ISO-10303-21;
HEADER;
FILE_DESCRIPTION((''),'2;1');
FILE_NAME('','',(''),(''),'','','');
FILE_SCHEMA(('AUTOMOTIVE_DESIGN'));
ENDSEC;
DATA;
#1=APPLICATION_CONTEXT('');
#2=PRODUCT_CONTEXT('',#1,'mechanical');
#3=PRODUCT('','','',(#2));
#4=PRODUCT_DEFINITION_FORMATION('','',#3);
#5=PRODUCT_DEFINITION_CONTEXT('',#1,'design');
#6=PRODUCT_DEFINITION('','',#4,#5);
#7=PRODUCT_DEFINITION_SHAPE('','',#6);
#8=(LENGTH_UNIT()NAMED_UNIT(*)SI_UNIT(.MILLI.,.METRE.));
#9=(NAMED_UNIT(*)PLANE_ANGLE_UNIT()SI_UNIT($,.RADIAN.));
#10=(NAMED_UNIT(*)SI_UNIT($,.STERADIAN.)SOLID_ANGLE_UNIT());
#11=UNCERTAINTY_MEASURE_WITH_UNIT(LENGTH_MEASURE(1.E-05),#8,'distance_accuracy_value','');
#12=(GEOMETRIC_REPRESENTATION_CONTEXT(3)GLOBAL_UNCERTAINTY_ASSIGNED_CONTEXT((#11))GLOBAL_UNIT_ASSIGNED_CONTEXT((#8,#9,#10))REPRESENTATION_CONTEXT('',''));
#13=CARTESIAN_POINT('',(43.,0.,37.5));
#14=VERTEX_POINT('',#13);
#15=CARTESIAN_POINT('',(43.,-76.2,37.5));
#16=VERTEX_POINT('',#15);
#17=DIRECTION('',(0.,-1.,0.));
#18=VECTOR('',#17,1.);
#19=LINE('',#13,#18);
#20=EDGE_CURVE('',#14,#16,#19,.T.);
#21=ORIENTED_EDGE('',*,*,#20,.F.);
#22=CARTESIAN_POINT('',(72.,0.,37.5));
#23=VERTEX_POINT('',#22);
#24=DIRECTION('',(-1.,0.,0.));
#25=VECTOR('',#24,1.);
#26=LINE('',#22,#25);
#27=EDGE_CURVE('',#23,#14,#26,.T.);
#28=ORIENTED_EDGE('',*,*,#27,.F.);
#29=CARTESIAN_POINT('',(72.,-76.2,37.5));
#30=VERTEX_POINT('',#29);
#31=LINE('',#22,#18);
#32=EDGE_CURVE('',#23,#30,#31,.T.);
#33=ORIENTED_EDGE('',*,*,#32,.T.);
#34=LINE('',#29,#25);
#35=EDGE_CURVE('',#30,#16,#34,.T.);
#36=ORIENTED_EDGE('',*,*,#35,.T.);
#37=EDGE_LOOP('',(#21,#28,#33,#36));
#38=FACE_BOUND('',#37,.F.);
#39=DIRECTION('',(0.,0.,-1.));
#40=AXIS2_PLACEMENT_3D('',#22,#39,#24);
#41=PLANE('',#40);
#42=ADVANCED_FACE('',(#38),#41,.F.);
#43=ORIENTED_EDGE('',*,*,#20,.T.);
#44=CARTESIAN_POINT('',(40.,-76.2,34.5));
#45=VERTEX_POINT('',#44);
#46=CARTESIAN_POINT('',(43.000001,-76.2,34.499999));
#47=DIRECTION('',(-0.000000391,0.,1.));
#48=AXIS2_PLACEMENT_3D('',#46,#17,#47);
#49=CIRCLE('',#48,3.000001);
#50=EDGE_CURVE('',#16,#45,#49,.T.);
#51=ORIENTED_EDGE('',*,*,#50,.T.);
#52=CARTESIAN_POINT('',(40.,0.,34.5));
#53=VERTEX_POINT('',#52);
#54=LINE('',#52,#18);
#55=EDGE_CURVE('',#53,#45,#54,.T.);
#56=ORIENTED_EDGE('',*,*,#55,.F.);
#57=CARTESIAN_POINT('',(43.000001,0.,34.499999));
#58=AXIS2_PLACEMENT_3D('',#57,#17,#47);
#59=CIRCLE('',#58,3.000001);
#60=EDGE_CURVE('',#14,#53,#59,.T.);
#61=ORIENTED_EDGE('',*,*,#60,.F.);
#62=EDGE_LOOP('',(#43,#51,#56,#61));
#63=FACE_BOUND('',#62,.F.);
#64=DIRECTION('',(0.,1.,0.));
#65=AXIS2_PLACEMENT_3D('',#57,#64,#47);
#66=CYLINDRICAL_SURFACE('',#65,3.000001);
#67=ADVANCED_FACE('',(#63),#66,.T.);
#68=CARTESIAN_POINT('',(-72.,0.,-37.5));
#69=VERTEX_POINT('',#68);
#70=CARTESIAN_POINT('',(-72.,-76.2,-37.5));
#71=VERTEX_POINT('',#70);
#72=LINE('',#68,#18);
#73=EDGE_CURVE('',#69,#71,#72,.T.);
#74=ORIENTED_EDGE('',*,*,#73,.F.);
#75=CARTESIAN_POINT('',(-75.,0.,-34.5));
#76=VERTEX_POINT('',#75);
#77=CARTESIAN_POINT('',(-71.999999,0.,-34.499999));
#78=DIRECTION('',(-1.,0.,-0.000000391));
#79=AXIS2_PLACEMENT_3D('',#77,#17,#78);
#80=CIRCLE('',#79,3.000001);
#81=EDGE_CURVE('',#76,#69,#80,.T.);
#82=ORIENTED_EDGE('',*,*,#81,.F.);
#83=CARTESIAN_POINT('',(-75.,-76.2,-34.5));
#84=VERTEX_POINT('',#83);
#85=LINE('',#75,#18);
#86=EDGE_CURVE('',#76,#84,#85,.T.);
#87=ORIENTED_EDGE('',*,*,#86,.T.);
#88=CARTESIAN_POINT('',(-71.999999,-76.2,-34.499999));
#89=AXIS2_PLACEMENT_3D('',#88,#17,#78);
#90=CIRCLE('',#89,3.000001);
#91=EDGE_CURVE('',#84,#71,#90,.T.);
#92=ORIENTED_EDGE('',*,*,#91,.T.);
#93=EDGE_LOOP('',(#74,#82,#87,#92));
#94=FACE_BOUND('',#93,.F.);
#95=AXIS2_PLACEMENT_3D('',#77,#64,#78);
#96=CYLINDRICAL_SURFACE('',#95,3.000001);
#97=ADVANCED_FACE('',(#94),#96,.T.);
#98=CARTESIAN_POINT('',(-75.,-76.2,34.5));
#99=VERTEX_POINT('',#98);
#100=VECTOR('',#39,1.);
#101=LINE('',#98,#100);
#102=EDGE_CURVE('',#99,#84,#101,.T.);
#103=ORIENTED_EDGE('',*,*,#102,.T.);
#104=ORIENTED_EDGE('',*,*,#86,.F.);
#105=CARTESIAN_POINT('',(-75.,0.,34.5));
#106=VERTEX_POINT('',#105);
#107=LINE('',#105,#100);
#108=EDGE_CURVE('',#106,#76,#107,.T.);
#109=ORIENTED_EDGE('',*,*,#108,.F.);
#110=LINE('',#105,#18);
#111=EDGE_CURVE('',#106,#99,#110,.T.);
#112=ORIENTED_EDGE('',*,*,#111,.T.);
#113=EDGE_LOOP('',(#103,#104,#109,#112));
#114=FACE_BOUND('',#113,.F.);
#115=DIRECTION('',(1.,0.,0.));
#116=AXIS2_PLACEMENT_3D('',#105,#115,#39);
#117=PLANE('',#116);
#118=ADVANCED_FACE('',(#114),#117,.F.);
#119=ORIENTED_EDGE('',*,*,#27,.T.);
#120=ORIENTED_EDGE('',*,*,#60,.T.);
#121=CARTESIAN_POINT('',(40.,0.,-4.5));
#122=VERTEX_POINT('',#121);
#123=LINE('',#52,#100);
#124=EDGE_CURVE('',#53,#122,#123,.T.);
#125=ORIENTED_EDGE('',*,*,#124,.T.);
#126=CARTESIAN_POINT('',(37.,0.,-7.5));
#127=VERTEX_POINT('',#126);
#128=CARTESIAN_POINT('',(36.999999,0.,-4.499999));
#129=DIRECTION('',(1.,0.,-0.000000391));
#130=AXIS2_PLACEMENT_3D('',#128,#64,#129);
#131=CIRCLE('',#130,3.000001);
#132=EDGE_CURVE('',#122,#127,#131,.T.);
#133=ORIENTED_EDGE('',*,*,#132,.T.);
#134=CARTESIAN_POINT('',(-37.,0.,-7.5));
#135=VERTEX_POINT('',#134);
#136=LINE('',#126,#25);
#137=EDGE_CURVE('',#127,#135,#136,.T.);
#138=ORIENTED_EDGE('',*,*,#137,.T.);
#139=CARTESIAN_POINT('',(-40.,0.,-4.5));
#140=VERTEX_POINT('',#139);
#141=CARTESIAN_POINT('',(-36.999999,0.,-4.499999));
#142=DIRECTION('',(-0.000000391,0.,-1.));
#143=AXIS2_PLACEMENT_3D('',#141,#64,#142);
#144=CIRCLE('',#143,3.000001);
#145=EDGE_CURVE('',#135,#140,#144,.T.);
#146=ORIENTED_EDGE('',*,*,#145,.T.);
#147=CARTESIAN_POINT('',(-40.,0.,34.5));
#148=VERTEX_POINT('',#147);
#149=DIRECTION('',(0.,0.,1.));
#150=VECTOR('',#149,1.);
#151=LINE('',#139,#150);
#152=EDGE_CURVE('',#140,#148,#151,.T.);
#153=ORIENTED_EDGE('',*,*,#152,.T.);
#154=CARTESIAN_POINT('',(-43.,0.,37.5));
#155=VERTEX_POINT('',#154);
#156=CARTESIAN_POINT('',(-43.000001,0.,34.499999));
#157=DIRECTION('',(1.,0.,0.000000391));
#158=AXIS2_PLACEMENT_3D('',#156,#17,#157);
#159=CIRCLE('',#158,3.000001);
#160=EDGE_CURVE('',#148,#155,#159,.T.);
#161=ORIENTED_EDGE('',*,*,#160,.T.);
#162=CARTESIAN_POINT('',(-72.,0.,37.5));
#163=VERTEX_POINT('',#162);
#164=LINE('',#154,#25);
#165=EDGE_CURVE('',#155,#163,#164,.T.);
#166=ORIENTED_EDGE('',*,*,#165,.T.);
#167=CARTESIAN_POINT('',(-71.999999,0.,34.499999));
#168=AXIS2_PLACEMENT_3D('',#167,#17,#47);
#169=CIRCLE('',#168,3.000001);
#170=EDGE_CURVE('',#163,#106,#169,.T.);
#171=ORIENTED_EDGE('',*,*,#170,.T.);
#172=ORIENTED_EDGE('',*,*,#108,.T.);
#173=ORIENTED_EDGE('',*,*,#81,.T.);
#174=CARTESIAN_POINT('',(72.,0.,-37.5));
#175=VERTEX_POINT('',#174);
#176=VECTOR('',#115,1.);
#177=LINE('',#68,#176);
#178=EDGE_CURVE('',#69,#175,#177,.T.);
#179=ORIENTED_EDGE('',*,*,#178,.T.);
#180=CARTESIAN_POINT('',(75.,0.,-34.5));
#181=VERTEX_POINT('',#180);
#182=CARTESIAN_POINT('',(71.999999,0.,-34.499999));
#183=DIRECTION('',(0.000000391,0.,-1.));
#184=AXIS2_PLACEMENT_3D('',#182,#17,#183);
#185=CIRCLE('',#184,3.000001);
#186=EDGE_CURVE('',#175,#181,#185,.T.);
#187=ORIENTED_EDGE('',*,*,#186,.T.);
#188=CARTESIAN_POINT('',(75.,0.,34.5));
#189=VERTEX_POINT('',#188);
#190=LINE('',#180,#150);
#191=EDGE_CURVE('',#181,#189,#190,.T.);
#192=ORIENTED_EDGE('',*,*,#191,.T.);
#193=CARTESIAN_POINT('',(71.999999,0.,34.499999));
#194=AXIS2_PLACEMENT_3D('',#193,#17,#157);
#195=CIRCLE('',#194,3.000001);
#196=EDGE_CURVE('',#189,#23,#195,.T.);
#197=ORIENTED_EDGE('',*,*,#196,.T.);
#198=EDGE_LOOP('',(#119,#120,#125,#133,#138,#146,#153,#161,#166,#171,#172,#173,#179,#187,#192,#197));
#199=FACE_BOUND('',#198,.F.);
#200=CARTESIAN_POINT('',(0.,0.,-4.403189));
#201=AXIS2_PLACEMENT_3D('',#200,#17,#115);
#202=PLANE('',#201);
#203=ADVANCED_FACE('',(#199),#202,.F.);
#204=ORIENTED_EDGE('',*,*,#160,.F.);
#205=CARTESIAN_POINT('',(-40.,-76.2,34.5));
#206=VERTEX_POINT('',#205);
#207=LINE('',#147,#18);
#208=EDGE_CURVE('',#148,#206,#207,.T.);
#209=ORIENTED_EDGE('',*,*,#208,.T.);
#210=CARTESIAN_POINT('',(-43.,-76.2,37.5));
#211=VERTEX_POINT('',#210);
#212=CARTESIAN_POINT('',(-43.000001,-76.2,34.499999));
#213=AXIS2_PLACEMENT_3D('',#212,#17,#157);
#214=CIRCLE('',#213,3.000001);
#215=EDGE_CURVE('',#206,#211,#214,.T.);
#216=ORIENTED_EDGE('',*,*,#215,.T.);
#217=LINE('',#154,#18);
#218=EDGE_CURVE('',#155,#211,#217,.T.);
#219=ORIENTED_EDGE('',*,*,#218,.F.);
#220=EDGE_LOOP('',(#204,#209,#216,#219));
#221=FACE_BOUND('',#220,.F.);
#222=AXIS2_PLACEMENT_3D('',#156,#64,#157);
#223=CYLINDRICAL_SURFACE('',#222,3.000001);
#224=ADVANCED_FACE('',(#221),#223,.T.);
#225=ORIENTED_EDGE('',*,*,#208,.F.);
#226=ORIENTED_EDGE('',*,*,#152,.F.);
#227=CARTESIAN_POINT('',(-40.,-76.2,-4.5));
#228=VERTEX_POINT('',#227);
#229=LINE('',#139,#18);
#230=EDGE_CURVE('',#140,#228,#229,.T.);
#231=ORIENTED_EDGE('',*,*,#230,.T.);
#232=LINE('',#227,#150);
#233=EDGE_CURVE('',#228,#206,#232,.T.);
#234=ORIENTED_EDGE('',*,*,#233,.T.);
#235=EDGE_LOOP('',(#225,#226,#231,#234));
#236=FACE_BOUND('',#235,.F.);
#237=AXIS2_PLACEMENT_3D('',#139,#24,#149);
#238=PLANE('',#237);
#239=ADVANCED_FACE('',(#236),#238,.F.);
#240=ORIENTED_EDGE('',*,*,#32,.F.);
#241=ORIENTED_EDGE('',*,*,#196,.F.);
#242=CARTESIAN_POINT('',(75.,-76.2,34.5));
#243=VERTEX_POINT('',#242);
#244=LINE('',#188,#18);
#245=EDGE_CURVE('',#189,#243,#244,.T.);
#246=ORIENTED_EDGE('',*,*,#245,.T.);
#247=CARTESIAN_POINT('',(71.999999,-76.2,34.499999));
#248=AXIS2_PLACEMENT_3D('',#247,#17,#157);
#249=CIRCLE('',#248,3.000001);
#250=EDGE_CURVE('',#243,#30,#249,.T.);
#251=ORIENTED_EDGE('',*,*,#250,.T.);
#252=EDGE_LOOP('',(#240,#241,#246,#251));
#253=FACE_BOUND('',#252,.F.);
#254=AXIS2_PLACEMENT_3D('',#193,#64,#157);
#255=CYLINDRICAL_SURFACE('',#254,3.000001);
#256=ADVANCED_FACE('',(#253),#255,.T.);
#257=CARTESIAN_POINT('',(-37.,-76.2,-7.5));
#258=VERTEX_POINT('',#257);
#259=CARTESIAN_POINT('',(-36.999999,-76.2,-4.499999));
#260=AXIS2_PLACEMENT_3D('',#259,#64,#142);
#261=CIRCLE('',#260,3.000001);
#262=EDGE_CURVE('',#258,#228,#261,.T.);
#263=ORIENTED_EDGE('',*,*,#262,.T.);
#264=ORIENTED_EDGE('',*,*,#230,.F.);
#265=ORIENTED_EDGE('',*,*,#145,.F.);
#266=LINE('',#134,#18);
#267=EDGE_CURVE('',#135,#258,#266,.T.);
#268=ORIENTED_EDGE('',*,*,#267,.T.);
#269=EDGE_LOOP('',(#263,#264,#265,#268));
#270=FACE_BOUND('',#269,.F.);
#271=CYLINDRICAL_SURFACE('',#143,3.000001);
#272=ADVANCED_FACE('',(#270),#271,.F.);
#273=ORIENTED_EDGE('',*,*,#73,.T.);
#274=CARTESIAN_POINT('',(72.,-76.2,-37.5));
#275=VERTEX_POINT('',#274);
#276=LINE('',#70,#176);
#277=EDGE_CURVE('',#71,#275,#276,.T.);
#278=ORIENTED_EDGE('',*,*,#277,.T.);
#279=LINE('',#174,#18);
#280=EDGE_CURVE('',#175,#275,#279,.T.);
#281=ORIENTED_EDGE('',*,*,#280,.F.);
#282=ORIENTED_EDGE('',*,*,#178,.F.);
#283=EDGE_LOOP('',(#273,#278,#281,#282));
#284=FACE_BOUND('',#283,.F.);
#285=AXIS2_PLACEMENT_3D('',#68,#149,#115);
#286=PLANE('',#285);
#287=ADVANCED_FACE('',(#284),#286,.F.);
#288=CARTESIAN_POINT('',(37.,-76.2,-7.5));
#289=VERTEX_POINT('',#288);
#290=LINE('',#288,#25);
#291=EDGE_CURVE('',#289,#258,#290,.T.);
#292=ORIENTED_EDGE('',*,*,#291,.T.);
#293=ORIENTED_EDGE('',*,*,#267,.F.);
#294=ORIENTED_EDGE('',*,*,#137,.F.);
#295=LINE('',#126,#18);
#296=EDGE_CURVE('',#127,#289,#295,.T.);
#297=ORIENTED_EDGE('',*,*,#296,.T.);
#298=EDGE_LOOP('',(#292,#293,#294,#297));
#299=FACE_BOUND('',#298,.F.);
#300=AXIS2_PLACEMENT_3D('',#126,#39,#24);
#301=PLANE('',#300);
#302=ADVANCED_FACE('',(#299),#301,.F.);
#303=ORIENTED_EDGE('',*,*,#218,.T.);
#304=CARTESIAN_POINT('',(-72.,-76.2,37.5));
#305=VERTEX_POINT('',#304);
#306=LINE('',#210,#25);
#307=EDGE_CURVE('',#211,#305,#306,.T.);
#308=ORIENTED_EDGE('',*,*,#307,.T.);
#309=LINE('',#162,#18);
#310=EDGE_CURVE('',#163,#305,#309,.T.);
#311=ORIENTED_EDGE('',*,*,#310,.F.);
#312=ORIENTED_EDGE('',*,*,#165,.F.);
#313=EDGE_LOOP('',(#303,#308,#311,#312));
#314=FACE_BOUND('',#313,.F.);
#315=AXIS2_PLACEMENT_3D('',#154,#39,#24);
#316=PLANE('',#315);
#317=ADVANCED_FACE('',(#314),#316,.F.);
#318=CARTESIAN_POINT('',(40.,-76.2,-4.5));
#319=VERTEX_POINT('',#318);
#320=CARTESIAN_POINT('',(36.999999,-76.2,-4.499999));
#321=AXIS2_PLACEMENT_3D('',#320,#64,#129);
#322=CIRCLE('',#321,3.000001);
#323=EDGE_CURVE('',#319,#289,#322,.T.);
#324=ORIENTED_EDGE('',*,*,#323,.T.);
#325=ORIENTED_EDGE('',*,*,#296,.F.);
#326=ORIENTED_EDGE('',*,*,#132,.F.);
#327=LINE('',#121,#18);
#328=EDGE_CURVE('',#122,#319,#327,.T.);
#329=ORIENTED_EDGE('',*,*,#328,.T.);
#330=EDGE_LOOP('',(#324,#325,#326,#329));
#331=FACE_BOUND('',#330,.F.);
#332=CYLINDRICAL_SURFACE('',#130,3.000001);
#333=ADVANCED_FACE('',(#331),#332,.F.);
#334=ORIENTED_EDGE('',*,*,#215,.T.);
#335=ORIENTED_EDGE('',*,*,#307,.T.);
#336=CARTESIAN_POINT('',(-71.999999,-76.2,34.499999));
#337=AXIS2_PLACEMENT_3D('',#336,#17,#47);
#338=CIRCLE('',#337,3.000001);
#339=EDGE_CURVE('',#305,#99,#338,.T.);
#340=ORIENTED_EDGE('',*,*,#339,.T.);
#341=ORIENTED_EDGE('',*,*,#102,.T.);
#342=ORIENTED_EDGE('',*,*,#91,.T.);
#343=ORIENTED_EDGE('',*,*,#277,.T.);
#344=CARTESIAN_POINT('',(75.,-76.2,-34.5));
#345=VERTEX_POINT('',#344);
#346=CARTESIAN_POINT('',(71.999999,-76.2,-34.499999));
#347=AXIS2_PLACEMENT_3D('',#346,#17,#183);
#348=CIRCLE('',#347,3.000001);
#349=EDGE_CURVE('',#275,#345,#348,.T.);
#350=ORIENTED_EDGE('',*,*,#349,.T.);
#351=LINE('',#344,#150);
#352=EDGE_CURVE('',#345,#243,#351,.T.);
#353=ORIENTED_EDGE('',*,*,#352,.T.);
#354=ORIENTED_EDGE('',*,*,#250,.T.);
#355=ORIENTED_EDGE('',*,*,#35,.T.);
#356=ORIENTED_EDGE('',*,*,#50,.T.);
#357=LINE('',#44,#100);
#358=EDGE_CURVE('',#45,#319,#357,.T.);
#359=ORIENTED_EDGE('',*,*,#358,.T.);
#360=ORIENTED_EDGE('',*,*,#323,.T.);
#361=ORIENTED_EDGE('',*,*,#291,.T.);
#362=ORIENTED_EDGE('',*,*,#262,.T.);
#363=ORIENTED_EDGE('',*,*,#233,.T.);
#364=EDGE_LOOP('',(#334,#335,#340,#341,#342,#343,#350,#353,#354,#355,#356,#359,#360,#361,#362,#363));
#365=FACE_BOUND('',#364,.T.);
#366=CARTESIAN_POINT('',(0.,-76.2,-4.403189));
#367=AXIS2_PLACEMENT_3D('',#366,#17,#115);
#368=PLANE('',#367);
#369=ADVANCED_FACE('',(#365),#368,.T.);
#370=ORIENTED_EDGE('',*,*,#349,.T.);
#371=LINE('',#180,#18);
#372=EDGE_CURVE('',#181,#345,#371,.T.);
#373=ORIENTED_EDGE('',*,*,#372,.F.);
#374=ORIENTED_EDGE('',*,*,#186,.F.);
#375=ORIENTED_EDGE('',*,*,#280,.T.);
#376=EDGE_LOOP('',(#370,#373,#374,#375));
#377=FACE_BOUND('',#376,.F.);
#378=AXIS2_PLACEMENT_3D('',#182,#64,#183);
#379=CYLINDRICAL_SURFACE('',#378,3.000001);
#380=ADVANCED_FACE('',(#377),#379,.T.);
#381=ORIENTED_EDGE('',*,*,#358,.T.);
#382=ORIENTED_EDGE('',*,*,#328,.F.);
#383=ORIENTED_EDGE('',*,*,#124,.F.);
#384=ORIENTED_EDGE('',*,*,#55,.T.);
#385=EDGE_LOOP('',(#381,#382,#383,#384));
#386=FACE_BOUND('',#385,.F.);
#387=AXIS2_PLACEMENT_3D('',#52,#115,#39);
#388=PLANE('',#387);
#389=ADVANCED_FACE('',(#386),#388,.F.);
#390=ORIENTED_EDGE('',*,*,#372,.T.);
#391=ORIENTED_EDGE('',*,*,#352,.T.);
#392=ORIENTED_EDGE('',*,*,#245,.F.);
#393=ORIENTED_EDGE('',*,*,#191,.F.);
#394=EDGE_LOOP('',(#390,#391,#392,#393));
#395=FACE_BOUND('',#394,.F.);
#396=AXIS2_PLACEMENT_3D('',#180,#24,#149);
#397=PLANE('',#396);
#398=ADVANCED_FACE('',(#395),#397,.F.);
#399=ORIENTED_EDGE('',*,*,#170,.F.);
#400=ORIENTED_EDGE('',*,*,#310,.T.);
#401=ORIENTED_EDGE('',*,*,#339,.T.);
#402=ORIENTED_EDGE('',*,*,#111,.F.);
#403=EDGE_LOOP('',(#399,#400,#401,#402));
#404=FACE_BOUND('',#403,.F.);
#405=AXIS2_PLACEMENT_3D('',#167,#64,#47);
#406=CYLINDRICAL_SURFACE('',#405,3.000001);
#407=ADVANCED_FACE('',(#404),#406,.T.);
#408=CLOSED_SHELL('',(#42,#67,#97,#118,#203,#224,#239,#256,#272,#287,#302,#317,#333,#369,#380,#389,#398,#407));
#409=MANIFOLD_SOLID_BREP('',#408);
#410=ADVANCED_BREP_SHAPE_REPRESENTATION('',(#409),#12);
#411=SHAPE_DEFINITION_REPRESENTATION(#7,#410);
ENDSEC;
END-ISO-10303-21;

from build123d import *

# Parameters (mm, degrees)
F1_DEPTH = 76.2


with BuildPart() as f1:
    # F0 (on Front) → F1 (new body)
    with BuildSketch(Plane.XZ):
        with BuildLine():
            ThreePointArc((-75, -34.5), (-74.12132, -36.62132), (-72, -37.5))
            Line((-72, -37.5), (72, -37.5))
            ThreePointArc((72, -37.5), (74.12132, -36.62132), (75, -34.5))
            Line((75, -34.5), (75, 34.5))
            ThreePointArc((75, 34.5), (74.12132, 36.62132), (72, 37.5))
            Line((72, 37.5), (43, 37.5))
            ThreePointArc((43, 37.5), (40.87868, 36.62132), (40, 34.5))
            Line((40, 34.5), (40, -4.5))
            ThreePointArc((40, -4.5), (39.12132, -6.62132), (37, -7.5))
            Line((37, -7.5), (-37, -7.5))
            ThreePointArc((-37, -7.5), (-39.12132, -6.62132), (-40, -4.5))
            Line((-40, -4.5), (-40, 34.5))
            ThreePointArc((-40, 34.5), (-40.87868, 36.62132), (-43, 37.5))
            Line((-43, 37.5), (-72, 37.5))
            ThreePointArc((-72, 37.5), (-74.12132, 36.62132), (-75, 34.5))
            Line((-75, 34.5), (-75, -34.5))
        make_face()
    extrude(amount=F1_DEPTH)


solid = f1.part
